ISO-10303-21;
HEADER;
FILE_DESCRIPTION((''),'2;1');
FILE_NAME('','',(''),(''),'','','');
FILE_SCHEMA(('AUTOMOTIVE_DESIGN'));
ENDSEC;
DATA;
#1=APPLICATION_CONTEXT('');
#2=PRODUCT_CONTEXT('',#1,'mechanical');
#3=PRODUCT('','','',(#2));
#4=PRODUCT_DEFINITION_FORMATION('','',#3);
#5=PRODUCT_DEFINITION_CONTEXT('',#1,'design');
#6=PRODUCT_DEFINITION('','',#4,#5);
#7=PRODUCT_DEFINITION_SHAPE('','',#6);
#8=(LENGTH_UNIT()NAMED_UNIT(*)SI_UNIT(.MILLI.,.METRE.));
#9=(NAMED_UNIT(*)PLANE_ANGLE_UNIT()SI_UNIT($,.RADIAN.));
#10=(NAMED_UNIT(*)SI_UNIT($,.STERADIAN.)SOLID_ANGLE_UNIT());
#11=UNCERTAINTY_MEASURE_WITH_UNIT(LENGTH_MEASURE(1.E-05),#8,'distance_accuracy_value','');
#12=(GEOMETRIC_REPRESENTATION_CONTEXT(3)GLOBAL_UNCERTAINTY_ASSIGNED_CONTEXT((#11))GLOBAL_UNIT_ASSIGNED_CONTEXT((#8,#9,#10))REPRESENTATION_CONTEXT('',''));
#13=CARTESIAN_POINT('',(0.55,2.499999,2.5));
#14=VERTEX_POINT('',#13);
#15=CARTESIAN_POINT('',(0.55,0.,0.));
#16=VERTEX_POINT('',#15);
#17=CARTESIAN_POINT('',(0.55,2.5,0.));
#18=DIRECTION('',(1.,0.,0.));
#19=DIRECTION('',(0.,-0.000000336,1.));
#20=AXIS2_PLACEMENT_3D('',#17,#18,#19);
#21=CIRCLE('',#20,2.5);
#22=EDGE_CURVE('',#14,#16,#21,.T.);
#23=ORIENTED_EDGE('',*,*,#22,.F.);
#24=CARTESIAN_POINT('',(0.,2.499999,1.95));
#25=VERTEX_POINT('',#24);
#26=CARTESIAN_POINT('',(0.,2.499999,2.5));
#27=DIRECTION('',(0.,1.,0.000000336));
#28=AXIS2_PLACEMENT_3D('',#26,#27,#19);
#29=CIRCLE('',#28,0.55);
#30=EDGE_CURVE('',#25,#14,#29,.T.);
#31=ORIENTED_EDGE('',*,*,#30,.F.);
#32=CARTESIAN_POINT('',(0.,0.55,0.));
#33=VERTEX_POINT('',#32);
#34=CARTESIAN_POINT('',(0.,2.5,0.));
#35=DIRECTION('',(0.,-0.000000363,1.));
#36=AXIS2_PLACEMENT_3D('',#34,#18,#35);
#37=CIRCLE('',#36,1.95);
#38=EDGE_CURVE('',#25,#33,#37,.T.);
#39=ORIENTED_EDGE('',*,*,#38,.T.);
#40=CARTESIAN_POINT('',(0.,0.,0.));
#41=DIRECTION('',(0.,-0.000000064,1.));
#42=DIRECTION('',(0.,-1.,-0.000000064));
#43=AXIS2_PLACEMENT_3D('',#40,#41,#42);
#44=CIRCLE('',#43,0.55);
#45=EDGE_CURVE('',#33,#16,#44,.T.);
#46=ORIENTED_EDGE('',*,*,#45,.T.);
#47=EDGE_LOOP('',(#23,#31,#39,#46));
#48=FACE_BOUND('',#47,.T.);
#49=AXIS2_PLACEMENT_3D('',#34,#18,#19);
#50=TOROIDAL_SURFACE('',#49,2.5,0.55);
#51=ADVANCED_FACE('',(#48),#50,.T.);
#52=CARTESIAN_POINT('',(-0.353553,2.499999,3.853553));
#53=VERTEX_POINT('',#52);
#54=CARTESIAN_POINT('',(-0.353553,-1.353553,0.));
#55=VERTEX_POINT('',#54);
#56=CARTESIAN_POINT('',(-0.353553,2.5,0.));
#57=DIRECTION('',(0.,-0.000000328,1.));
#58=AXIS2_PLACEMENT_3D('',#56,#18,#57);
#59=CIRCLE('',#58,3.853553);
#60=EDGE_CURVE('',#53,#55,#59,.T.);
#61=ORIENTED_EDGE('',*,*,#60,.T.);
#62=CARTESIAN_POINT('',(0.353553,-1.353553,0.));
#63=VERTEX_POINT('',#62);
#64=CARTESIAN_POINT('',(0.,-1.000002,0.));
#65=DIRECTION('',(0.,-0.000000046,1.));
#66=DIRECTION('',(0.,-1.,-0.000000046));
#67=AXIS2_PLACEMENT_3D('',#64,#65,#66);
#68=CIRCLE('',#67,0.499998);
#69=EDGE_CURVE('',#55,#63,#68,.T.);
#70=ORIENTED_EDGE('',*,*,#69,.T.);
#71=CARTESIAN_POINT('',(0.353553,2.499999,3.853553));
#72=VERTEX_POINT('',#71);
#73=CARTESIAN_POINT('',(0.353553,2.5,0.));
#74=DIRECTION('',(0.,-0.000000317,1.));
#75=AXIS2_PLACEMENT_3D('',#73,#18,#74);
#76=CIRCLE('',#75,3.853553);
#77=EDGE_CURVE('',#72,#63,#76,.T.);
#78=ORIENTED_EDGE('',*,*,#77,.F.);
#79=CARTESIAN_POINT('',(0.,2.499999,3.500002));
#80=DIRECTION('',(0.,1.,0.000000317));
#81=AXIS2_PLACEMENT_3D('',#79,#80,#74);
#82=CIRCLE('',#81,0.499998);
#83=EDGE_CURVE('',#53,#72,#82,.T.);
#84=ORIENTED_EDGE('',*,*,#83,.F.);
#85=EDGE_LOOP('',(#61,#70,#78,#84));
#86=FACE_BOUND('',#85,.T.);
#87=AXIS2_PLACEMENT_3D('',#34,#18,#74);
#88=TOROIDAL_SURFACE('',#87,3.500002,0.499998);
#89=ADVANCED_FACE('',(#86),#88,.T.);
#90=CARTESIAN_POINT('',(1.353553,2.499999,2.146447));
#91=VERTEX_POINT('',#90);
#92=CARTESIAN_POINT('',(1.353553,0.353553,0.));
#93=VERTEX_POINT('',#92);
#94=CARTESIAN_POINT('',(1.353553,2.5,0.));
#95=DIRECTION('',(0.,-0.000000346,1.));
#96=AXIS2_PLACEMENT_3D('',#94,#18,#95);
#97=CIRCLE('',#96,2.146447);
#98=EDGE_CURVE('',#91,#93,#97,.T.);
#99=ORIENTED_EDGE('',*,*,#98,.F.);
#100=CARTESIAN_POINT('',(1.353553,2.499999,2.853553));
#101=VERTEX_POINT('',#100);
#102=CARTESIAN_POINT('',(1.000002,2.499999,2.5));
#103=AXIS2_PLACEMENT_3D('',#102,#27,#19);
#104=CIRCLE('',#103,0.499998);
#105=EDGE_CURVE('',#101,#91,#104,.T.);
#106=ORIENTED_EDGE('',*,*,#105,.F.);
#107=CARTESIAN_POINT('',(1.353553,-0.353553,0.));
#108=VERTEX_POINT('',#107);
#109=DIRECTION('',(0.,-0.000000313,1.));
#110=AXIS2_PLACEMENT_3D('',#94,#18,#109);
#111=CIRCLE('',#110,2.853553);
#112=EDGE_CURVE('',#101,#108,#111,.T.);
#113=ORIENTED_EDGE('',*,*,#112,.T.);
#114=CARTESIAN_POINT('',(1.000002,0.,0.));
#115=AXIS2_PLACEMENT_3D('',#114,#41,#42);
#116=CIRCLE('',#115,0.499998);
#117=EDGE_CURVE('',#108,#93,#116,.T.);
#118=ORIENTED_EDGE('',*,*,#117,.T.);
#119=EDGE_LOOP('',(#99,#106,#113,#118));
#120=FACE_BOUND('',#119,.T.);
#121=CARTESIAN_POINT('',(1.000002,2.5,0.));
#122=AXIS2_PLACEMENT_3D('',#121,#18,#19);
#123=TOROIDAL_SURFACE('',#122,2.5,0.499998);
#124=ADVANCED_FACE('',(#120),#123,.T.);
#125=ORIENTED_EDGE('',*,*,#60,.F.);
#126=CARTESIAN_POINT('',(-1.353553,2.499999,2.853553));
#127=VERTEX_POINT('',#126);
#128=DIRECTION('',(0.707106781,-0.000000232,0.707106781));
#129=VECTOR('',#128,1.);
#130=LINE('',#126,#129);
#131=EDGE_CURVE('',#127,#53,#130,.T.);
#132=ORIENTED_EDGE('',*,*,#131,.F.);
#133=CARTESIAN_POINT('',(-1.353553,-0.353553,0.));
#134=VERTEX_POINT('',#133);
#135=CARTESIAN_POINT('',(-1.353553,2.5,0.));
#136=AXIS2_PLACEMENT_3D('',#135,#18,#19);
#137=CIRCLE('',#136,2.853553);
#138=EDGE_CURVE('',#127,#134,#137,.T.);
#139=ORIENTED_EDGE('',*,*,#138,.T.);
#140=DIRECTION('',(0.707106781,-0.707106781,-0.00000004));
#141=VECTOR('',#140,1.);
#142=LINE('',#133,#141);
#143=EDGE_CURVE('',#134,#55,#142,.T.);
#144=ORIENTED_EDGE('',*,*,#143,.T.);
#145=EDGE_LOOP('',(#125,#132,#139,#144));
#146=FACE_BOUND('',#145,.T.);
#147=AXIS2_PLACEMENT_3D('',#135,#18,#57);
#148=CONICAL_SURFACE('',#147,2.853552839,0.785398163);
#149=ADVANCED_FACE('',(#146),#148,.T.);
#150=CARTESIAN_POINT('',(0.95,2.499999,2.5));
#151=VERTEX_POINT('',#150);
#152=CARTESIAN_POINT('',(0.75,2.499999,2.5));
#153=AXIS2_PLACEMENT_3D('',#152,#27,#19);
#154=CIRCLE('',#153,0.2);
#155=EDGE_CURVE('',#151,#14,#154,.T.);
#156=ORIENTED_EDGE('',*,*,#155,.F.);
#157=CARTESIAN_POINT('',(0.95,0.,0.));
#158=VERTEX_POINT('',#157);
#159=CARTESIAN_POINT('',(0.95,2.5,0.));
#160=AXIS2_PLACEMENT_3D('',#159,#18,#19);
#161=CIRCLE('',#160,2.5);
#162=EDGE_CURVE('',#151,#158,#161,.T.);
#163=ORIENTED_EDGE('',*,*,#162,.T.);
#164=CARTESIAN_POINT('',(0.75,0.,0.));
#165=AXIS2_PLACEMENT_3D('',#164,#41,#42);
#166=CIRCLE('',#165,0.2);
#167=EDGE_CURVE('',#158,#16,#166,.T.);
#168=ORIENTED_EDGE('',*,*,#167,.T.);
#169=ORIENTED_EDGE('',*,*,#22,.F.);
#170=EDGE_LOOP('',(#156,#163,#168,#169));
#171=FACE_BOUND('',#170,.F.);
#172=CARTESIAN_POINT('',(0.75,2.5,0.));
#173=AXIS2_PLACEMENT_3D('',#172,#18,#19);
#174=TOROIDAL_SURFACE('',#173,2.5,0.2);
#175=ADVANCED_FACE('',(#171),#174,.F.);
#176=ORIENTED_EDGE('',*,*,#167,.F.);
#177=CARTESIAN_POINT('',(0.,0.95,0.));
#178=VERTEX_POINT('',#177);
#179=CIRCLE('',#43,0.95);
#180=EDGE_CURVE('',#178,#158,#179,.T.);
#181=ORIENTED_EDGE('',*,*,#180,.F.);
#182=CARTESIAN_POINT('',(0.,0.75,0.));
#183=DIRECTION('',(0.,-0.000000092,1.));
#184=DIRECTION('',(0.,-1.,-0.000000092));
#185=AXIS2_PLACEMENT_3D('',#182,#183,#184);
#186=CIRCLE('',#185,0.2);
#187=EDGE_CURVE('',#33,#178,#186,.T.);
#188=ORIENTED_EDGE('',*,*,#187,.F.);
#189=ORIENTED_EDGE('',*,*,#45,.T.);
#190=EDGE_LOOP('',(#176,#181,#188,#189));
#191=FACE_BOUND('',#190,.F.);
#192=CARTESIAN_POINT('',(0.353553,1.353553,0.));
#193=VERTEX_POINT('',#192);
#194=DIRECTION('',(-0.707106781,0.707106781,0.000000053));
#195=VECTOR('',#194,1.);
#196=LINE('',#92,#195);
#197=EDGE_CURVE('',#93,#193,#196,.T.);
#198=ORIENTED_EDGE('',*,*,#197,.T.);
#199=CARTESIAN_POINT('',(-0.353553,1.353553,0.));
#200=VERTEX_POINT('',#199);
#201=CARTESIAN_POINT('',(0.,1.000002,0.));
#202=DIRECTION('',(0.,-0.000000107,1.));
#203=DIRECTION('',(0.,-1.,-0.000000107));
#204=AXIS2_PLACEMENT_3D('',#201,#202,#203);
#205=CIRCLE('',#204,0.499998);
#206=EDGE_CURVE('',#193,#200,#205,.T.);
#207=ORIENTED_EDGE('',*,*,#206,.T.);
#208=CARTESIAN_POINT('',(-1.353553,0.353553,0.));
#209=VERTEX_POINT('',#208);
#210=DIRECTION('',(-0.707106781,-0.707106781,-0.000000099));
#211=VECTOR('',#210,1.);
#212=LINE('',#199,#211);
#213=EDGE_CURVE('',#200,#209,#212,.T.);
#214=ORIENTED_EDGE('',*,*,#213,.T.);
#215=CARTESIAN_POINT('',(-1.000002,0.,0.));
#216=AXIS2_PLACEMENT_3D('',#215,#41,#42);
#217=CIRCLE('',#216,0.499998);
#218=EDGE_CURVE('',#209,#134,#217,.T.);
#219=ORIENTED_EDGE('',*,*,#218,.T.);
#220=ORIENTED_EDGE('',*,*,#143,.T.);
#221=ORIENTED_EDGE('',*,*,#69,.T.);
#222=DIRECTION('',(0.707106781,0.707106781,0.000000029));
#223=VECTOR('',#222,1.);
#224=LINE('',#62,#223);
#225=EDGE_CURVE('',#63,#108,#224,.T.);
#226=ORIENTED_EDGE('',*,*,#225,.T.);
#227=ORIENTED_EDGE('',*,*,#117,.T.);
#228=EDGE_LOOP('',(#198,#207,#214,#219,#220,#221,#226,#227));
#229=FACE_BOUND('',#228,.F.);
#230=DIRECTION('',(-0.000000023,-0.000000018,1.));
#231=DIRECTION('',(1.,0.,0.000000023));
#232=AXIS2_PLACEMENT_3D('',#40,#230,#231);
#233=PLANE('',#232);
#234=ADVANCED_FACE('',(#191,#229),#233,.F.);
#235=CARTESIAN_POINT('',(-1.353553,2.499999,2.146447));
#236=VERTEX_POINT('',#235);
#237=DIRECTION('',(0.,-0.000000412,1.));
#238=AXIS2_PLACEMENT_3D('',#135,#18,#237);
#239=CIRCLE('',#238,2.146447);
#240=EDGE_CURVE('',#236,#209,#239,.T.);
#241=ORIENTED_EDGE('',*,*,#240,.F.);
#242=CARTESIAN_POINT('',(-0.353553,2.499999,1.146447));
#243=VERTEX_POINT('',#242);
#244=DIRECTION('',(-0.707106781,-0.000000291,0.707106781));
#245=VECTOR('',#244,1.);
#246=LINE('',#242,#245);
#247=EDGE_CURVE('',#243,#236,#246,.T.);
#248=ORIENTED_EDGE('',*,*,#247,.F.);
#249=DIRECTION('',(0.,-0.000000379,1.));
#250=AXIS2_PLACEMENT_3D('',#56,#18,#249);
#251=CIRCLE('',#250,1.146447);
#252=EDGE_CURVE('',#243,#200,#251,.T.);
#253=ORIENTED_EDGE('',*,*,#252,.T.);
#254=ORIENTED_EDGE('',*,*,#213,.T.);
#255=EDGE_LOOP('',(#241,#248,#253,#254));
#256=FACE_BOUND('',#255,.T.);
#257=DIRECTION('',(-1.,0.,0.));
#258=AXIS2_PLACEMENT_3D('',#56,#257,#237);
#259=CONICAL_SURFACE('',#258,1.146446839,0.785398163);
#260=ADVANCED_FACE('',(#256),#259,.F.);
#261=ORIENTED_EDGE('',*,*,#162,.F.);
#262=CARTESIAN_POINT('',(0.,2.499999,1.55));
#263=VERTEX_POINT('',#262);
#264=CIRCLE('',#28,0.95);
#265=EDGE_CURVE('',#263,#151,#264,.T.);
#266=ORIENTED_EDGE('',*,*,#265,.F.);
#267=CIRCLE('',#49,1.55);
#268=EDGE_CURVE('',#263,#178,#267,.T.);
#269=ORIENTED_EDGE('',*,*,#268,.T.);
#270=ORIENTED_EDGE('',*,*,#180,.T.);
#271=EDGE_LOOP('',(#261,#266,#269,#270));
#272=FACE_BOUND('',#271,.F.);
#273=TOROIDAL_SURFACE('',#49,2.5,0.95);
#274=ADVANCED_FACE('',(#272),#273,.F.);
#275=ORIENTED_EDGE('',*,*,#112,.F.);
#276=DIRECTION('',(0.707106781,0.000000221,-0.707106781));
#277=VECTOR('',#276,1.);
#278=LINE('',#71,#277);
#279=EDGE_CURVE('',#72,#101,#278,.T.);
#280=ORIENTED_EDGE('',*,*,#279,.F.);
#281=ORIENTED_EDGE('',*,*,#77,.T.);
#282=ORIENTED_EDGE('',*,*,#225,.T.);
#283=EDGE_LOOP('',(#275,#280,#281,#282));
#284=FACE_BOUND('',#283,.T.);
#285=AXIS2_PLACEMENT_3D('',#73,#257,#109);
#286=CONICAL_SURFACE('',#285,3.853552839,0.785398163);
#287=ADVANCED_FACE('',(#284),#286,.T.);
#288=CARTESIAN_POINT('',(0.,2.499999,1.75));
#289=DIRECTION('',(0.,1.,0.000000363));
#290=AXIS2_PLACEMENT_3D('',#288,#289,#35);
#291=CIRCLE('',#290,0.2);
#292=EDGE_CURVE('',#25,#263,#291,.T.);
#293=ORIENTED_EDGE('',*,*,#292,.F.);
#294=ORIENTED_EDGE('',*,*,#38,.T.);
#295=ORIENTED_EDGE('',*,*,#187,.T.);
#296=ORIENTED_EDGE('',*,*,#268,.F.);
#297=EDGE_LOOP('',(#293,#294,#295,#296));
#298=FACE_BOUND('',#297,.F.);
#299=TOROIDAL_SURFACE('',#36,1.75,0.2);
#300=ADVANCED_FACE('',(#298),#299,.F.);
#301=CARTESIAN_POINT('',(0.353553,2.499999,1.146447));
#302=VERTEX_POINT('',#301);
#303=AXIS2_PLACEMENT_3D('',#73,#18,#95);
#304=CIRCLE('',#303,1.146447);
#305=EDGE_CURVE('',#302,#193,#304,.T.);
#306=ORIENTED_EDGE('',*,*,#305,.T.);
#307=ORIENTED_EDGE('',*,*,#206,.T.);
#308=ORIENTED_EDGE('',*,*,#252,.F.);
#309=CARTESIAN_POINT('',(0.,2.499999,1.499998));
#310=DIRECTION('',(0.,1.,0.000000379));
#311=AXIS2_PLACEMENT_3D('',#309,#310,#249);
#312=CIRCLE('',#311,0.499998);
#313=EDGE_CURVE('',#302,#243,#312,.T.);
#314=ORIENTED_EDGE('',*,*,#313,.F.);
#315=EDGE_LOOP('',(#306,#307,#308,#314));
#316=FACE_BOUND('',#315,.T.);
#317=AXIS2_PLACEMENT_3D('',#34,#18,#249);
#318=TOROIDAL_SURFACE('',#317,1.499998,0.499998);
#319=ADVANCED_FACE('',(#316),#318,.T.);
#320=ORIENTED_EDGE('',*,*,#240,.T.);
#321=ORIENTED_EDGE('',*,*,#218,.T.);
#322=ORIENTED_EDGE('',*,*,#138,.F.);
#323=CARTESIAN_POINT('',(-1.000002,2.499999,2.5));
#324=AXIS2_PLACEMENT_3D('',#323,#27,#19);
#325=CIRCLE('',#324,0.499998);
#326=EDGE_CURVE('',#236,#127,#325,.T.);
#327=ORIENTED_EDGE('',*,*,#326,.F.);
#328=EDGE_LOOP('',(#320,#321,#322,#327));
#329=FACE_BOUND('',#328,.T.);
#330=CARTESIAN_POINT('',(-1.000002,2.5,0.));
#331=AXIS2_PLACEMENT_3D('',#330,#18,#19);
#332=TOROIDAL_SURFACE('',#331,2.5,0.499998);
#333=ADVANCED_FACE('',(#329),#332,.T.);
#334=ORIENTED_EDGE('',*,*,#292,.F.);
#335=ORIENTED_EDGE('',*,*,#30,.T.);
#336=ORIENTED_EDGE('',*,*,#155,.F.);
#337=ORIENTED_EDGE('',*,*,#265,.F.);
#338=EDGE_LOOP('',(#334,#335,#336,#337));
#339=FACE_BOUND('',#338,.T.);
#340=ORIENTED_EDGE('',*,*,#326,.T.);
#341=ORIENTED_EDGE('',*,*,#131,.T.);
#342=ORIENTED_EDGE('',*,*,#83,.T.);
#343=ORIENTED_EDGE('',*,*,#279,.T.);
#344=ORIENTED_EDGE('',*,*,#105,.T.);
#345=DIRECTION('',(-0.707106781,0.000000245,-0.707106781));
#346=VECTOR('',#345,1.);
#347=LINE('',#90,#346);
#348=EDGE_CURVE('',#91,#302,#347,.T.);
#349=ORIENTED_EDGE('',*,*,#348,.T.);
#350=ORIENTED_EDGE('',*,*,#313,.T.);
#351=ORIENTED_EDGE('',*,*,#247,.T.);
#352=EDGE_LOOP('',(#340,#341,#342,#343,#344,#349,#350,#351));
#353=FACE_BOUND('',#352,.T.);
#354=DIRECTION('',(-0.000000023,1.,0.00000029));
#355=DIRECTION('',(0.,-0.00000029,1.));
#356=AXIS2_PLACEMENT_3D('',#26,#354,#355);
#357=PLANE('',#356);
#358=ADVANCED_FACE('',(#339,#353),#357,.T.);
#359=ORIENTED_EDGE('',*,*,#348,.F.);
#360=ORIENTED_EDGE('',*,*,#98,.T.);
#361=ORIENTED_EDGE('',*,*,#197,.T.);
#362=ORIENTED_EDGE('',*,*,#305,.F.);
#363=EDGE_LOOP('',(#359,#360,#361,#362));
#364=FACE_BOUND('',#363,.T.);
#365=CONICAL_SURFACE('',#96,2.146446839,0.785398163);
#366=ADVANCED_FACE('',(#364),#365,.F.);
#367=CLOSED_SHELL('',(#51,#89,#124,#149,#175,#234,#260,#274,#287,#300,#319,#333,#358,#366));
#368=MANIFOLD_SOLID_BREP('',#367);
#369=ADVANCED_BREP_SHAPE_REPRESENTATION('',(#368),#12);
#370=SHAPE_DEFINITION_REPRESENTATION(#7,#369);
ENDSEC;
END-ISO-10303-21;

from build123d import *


with BuildPart() as part:
    # AdditivePipe: sweep along a path in Sketch001
    with BuildLine(Plane.YZ) as additivepipe_path:
        ThreePointArc((2.499999, 2.5), (0.732233, 1.767767), (0, 0))
    # Sketch → AdditivePipe (sweep)
    with BuildSketch(Plane.XY):
        with BuildLine():
            Line((1.353553, 0.353553), (0.353553, 1.353553))
            ThreePointArc((0.353553, 1.353553), (0, 1.5), (-0.353553, 1.353553))
            Line((-0.353553, 1.353553), (-1.353553, 0.353553))
            ThreePointArc((-1.353553, 0.353553), (-1.5, 0), (-1.353553, -0.353553))
            Line((-1.353553, -0.353553), (-0.353553, -1.353553))
            ThreePointArc((-0.353553, -1.353553), (0, -1.5), (0.353553, -1.353553))
            Line((0.353553, -1.353553), (1.353553, -0.353553))
            ThreePointArc((1.353553, -0.353553), (1.5, 0), (1.353553, 0.353553))
        make_face()
        with BuildLine():
            ThreePointArc((0, 0.95), (-0.671751, -0.671751), (0.95, 0))
            ThreePointArc((0.95, 0), (0.75, 0.2), (0.55, 0))
            ThreePointArc((0, 0.55), (-0.388909, -0.388909), (0.55, 0))
            ThreePointArc((0, 0.55), (0.2, 0.75), (0, 0.95))
        make_face(mode=Mode.SUBTRACT)
    sweep(path=additivepipe_path.line)


solid = part.part
